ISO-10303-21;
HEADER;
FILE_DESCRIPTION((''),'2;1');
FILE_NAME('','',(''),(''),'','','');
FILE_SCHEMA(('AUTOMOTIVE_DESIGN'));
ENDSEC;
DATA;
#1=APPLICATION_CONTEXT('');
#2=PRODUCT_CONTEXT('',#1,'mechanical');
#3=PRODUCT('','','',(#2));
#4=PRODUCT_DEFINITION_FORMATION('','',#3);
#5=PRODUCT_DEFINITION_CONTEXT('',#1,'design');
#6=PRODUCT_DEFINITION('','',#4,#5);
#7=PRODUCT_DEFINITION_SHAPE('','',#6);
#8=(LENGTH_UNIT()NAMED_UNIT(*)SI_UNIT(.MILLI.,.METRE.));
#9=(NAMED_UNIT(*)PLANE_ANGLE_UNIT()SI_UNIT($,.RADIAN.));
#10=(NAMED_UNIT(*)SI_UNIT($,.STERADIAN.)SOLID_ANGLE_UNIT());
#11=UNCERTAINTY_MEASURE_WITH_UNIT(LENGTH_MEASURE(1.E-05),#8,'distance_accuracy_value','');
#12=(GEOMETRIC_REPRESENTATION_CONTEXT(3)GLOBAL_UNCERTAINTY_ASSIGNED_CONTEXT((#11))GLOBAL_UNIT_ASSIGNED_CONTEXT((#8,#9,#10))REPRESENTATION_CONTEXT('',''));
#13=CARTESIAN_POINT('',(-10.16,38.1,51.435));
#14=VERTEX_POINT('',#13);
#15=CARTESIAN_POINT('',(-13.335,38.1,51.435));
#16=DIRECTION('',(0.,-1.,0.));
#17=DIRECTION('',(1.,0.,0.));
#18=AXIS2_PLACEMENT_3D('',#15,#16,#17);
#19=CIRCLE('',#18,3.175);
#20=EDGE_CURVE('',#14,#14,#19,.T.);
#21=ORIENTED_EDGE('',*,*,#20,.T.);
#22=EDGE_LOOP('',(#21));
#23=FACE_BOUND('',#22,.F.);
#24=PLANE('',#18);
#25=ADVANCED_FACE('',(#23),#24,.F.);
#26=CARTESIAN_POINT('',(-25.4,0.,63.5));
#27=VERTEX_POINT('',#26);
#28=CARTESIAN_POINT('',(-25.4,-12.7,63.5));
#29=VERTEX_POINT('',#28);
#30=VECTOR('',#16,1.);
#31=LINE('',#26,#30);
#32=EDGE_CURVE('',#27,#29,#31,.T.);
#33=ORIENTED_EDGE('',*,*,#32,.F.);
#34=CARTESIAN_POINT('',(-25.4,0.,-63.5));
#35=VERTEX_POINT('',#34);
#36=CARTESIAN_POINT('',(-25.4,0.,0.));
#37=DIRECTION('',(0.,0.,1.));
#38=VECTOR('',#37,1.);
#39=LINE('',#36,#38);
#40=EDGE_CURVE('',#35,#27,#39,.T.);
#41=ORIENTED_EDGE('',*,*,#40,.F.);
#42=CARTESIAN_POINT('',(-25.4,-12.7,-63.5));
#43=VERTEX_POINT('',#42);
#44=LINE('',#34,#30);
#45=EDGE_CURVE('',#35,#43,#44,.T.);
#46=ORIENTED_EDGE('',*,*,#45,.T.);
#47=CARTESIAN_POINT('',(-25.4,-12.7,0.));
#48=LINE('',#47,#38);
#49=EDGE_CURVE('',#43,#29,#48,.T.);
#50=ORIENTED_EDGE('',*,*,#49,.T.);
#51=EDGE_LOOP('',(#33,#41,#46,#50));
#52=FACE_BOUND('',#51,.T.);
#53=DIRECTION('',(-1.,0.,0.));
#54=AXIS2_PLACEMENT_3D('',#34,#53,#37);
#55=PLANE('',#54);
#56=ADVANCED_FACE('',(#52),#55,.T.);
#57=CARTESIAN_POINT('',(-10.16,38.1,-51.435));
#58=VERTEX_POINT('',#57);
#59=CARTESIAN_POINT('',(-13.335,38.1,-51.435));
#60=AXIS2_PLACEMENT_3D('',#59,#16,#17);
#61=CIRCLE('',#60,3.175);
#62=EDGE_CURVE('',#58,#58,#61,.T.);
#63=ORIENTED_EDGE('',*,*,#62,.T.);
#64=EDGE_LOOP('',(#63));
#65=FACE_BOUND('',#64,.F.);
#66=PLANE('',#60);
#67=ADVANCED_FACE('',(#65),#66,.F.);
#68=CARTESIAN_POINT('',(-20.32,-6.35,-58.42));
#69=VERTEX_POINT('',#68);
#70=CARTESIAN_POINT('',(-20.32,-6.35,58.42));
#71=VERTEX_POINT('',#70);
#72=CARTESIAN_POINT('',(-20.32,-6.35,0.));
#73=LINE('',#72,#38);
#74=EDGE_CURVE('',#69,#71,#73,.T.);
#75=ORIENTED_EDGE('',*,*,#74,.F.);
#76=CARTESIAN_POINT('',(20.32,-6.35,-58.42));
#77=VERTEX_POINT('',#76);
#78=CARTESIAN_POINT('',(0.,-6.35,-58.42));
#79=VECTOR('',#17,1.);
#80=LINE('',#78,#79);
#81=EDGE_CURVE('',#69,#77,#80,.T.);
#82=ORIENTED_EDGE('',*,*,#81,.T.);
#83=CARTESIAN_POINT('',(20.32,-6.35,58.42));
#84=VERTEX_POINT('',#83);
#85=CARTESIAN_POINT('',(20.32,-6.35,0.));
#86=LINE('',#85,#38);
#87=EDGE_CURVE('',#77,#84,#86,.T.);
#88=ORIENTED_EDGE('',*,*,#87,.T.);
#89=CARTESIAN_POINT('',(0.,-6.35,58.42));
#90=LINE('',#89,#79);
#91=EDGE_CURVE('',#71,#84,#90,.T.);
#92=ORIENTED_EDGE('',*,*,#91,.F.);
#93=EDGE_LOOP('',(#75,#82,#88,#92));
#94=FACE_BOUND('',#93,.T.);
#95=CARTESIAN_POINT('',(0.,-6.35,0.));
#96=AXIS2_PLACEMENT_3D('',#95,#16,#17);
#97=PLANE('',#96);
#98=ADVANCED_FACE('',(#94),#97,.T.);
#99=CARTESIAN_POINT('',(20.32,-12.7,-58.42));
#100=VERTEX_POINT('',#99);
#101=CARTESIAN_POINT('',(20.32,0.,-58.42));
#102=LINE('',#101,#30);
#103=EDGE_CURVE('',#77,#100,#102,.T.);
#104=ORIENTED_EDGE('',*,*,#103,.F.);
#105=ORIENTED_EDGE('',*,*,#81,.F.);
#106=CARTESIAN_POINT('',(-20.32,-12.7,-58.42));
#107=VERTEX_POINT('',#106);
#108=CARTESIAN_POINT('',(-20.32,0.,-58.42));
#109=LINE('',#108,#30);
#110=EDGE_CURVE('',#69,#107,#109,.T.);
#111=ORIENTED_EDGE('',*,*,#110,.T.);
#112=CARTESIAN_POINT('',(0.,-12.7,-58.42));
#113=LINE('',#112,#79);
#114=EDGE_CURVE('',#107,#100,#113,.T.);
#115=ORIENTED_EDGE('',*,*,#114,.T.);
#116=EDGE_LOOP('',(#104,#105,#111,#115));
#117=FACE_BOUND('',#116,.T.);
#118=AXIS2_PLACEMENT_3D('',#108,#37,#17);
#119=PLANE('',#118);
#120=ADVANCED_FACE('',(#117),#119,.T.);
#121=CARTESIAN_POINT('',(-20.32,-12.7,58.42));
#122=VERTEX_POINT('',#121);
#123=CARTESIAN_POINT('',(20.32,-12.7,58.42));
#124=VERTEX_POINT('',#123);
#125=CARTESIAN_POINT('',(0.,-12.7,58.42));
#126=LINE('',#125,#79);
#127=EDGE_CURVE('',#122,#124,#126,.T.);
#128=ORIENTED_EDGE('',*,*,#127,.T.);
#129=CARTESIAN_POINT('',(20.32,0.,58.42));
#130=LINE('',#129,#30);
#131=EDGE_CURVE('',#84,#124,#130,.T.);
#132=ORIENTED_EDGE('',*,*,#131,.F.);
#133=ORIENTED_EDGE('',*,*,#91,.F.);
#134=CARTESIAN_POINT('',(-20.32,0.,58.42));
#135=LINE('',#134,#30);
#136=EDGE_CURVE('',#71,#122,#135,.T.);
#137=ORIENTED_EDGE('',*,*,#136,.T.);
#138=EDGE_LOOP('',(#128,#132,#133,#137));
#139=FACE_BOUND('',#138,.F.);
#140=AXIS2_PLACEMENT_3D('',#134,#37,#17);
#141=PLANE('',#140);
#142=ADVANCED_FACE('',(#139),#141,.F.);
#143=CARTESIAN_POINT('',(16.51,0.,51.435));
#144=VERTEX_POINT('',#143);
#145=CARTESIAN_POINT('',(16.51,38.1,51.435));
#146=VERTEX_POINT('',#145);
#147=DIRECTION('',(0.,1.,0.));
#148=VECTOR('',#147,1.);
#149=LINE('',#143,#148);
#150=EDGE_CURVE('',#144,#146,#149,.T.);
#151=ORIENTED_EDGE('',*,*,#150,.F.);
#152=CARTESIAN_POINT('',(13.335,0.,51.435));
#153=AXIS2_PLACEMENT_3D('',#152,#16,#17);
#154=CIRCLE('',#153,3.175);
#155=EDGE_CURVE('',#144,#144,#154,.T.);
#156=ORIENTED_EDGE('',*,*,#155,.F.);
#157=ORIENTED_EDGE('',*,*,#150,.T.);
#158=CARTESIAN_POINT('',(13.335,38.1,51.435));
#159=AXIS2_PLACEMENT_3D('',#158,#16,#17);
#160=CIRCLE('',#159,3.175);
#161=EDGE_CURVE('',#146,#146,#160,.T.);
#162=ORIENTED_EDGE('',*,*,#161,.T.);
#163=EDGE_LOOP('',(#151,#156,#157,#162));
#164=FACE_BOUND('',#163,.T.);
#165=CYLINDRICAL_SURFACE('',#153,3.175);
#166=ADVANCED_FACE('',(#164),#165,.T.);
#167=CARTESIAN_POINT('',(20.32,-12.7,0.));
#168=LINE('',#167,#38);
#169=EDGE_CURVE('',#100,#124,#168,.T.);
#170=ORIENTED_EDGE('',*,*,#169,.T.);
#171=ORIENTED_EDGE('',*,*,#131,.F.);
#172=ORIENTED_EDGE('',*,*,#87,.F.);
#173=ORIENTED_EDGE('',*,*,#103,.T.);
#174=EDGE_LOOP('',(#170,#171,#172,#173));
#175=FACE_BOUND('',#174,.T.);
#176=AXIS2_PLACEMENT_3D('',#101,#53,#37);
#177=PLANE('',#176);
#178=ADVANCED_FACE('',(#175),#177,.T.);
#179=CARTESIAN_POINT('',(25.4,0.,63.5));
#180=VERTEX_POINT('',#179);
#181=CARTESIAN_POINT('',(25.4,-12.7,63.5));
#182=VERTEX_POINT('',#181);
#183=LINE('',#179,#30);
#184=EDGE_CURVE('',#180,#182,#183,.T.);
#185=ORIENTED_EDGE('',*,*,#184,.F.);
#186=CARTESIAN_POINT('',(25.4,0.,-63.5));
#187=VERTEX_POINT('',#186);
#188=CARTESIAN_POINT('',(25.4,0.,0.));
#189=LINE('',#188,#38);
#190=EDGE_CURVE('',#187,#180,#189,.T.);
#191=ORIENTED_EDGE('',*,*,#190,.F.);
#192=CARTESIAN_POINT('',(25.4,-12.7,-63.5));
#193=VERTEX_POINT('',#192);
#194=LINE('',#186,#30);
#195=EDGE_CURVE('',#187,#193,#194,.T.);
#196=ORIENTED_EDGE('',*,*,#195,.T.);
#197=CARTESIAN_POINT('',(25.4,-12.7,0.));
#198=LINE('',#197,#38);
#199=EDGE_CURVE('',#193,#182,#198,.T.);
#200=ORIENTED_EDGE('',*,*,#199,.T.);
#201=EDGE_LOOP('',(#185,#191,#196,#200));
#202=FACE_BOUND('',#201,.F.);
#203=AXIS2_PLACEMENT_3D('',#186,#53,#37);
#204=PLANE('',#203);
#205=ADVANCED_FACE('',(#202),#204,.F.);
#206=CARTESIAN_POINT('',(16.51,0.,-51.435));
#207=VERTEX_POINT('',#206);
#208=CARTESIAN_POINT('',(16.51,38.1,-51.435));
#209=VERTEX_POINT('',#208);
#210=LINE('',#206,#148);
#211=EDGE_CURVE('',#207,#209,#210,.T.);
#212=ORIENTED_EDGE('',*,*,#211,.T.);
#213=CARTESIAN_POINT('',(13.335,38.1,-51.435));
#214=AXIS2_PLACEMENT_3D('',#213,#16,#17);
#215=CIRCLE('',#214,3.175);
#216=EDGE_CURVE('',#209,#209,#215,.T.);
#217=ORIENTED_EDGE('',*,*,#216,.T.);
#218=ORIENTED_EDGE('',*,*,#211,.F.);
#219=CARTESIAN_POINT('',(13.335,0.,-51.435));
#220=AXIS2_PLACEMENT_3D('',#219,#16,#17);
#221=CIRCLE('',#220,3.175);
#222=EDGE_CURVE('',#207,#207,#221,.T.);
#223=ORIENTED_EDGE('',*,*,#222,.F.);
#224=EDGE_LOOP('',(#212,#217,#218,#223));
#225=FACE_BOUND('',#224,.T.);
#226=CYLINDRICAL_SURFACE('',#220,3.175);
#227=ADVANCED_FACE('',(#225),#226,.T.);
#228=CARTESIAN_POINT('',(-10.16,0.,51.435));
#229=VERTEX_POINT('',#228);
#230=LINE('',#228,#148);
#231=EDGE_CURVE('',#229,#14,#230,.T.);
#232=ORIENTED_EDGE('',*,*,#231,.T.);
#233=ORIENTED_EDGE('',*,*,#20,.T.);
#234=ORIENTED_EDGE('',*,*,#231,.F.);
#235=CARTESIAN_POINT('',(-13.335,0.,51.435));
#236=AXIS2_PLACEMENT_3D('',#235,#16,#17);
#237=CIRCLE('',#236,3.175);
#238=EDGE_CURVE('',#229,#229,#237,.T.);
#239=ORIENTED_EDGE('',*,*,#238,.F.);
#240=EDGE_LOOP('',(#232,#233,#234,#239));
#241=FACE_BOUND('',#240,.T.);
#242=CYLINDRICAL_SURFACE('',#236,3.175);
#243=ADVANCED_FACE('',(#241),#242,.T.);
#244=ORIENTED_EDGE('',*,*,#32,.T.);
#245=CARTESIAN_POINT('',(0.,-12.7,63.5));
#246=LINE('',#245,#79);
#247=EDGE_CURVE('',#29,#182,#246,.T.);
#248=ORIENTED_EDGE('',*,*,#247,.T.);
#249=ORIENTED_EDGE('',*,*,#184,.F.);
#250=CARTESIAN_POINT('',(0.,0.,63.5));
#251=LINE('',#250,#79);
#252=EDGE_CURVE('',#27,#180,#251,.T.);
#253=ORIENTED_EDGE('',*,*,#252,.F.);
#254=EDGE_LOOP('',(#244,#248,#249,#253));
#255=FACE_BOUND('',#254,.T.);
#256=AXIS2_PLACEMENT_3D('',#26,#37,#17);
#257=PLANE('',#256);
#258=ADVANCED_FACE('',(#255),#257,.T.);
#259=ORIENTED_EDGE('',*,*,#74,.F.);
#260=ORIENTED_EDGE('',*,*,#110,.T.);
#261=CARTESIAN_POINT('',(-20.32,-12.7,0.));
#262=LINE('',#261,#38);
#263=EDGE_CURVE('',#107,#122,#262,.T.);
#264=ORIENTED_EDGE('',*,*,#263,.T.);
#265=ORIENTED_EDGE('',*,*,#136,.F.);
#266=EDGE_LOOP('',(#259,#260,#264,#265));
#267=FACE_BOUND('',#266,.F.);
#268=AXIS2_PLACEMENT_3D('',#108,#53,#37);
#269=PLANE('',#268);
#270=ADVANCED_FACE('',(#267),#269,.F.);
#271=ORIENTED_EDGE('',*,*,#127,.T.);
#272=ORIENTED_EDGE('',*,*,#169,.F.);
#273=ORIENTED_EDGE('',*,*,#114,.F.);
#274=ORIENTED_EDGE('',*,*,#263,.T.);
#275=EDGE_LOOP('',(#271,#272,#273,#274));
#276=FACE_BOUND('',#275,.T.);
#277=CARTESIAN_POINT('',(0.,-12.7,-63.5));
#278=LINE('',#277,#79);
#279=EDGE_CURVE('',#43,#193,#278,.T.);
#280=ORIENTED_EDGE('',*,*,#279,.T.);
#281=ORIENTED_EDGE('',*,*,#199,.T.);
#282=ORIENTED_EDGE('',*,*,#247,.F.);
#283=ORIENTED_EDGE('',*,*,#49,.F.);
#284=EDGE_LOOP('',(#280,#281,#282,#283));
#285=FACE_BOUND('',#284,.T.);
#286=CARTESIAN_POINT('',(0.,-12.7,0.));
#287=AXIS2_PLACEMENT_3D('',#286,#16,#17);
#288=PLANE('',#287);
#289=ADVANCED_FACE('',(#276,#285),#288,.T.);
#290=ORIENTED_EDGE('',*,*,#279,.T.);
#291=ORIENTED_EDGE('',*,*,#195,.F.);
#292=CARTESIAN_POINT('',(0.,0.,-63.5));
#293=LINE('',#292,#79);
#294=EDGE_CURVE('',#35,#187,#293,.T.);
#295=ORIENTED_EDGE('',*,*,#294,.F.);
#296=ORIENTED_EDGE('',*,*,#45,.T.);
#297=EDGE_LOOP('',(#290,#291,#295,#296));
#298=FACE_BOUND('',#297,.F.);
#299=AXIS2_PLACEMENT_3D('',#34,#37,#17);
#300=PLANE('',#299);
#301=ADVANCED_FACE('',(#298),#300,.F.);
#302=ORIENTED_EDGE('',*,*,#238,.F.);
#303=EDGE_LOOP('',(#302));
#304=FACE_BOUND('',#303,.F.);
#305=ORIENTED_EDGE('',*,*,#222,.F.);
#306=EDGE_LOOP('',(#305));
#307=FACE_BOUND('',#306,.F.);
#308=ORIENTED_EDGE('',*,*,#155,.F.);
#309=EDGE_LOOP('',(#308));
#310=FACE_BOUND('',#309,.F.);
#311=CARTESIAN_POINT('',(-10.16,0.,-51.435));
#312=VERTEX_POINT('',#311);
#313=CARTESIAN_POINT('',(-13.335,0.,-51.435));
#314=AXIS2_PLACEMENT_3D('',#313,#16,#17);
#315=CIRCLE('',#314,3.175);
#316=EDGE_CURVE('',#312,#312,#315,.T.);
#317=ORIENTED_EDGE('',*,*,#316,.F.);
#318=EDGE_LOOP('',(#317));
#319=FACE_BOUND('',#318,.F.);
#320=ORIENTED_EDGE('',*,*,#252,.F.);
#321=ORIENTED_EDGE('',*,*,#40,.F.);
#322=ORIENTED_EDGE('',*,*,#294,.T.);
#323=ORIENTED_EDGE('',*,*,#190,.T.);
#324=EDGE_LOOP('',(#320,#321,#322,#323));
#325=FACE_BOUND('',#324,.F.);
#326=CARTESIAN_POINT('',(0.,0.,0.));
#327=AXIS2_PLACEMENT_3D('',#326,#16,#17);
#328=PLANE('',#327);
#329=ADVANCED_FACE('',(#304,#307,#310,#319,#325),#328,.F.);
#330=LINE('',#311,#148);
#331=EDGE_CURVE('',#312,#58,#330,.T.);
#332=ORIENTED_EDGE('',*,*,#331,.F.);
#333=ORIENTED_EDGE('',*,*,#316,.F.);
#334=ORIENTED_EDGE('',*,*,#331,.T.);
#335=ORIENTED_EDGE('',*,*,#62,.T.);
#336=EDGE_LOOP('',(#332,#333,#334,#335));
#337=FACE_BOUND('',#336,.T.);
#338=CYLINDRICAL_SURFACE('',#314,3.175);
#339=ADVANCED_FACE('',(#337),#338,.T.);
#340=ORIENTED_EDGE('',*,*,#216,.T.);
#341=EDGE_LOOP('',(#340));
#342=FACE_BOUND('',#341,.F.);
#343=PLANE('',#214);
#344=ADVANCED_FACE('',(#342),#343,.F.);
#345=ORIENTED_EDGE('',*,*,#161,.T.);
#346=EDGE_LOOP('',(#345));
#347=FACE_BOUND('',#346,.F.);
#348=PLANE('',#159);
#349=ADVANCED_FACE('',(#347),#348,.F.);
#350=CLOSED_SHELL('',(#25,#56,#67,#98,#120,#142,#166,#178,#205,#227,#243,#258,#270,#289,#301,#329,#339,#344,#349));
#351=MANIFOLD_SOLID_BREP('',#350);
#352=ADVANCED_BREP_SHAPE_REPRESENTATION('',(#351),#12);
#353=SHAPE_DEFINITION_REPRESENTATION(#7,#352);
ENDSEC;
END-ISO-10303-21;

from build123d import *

# Parameters (mm, degrees)
F0_W     = 40.64
F0_H     = 116.84
F1_DEPTH = 6.35
F0_W_2   = 50.8
F0_H_2   = 127
F2_DEPTH = 12.7
F3_R     = 3.175
F4_DEPTH = 38.1


with BuildPart() as f1:
    # F0 (on Front) → F1 (new body)
    with BuildSketch(Plane.XZ):
        Rectangle(F0_W, F0_H)
    extrude(amount=F1_DEPTH)

    # F0 (on Front) → F2 (join)
    with BuildSketch(Plane.XZ):
        Rectangle(F0_W_2, F0_H_2)
        Rectangle(F0_W, F0_H, mode=Mode.SUBTRACT)
    extrude(amount=F2_DEPTH)

    # F3 (on face) → F4 (join)
    with BuildSketch(Plane.XZ):
        with Locations((-13.335, -51.435)):
            Circle(F3_R)
        with Locations((13.335, -51.435)):
            Circle(F3_R)
        with Locations((13.335, 51.435)):
            Circle(F3_R)
        with Locations((-13.335, 51.435)):
            Circle(F3_R)
    extrude(amount=-F4_DEPTH)


solid = f1.part
